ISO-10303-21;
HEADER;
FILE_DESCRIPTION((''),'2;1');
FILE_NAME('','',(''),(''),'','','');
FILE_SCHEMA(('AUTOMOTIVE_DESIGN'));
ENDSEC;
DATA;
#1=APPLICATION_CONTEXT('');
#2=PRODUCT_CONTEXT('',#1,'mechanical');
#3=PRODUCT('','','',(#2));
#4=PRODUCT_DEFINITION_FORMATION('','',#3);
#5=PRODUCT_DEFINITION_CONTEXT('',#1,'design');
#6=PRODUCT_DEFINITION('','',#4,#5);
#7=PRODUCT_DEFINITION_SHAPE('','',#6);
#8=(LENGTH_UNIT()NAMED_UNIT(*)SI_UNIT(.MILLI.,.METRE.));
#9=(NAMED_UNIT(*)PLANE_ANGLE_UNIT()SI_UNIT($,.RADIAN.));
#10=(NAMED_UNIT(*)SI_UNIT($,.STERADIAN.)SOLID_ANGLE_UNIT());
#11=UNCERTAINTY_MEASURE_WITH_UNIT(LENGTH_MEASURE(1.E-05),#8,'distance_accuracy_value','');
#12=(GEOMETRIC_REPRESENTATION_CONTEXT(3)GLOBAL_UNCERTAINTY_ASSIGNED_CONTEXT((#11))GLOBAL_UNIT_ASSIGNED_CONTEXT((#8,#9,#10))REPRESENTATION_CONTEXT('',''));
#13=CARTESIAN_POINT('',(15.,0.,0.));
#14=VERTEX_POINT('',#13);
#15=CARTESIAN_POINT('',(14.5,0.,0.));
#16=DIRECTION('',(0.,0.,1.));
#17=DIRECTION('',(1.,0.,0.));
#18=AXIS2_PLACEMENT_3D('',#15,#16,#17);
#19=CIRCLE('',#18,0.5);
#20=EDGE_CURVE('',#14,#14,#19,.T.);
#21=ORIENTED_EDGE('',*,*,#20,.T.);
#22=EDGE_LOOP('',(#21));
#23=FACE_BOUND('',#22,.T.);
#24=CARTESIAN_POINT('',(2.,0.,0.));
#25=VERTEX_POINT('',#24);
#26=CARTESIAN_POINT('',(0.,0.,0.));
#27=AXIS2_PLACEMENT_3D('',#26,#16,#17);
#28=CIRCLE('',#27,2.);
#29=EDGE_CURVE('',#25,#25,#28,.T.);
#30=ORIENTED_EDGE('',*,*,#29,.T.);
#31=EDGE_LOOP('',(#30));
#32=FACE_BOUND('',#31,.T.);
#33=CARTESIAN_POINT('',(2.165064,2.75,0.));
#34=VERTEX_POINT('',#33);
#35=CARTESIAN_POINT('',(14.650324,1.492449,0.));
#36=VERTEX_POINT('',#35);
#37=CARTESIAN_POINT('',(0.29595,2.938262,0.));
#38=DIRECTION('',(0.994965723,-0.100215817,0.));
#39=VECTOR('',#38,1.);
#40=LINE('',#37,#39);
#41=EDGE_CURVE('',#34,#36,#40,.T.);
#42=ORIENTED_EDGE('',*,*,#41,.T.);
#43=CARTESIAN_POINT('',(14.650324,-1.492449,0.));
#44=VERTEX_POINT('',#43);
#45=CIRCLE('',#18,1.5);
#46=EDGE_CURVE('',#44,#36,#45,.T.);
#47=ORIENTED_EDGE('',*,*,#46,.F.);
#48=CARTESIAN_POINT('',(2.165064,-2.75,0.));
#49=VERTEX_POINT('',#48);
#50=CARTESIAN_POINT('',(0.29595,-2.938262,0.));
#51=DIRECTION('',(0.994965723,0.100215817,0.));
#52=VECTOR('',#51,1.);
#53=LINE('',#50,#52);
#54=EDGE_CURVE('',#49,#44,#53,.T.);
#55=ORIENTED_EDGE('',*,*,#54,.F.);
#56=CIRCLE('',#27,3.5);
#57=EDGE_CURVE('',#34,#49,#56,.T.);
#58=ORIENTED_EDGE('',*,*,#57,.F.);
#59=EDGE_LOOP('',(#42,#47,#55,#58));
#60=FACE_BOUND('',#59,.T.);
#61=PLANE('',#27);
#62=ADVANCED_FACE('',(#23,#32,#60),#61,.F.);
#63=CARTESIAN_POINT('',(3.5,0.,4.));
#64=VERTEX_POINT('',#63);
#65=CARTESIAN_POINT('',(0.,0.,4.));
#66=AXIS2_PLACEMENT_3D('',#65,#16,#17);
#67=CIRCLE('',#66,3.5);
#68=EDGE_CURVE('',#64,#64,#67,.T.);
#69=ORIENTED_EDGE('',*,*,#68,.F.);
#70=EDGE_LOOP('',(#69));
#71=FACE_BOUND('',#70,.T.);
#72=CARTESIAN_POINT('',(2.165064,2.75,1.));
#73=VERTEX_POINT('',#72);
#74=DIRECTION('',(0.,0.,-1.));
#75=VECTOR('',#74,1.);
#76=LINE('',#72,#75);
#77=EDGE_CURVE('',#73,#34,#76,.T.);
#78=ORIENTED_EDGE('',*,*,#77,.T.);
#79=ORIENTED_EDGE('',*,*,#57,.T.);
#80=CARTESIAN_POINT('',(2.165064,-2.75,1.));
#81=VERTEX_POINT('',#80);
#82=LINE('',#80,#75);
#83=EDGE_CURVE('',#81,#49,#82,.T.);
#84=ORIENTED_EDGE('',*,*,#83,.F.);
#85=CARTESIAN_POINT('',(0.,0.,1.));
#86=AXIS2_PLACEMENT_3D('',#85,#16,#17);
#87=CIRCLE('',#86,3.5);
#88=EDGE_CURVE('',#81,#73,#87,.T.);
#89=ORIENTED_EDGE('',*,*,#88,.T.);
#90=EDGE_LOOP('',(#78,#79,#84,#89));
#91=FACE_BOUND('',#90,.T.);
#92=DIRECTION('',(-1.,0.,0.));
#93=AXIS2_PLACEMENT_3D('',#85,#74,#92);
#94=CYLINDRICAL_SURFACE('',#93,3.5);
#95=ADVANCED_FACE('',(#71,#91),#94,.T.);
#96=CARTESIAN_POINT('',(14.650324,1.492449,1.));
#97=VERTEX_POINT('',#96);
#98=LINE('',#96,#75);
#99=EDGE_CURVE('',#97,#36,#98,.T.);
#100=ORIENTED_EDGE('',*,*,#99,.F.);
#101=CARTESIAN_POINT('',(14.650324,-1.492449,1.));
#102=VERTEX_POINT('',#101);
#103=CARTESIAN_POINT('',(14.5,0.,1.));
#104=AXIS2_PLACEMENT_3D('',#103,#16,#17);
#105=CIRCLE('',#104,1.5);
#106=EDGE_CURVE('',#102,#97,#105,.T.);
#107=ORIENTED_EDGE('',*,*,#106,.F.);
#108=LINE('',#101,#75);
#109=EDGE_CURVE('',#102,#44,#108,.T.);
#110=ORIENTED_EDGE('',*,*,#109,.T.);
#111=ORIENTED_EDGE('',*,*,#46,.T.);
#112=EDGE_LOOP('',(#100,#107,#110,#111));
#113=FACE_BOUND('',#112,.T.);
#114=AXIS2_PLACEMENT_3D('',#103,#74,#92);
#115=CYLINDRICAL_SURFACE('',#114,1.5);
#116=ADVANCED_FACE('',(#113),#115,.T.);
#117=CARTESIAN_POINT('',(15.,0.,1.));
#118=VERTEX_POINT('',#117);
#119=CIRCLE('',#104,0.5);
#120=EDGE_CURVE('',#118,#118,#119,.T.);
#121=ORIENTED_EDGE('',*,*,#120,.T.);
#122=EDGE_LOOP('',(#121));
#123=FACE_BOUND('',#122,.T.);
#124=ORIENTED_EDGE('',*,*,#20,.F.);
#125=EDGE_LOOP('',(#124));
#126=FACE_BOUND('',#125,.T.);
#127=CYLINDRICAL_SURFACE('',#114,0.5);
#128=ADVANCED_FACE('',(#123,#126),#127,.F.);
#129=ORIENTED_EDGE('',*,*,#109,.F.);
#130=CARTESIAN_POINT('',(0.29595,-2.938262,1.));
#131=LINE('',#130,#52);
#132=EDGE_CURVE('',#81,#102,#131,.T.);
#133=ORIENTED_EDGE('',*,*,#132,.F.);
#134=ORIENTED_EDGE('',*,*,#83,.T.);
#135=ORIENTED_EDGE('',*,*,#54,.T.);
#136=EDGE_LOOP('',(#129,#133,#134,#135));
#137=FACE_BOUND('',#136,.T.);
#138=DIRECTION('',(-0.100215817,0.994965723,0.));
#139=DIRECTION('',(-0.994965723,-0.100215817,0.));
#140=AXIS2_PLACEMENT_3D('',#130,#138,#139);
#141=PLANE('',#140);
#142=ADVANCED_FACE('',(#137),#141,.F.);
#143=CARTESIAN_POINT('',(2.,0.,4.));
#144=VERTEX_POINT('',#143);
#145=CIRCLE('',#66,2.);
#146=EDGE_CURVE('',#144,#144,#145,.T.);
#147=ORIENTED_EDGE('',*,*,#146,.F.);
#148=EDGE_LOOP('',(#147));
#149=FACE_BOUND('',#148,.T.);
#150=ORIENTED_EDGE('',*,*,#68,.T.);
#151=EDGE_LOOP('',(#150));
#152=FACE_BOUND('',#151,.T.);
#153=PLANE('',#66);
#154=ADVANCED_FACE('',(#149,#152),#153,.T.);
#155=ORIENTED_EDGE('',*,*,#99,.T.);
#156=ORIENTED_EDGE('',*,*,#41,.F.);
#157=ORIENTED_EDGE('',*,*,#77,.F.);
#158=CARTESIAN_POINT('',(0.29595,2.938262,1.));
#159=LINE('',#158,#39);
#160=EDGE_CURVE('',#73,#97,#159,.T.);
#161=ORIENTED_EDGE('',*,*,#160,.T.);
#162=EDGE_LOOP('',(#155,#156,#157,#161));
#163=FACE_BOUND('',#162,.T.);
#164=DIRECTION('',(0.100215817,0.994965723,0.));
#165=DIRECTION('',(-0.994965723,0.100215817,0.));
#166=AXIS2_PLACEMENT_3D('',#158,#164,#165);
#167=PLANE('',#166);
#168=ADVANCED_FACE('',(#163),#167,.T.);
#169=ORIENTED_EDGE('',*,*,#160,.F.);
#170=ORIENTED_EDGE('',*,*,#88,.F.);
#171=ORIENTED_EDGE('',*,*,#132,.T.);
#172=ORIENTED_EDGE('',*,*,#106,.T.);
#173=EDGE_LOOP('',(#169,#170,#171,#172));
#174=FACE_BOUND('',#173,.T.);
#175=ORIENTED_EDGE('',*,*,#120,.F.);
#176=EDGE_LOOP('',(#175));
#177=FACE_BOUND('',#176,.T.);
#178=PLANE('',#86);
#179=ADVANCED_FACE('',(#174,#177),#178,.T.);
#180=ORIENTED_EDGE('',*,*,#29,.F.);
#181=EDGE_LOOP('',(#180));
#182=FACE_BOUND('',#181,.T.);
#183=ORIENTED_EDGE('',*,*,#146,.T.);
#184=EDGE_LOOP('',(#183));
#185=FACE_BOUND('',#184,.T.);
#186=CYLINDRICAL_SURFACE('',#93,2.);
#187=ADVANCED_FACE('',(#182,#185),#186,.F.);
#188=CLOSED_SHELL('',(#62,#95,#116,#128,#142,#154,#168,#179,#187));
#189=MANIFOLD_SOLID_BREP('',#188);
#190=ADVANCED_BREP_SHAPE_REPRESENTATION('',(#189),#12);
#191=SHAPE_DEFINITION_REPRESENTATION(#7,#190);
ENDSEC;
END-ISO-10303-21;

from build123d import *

# Parameters (mm, degrees)
SKETCH_1_R      = 2
SKETCH_1_R_2    = 0.5
EXTRUDE_2_DEPTH = 1
SKETCH_2_R      = 3.5
SKETCH_2_R_2    = 2
EXTRUDE_3_DEPTH = 3


with BuildPart() as part:
    # 草图1 → 凸台-拉伸2 (new body)
    with BuildSketch(Plane.XY):
        with BuildLine():
            Line((14.650323726, 1.492448585), (2.165063509, 2.75))
            ThreePointArc((2.165063509, 2.75), (-3.5, 0), (2.165063509, -2.75))
            Line((2.165063509, -2.75), (14.650323726, -1.492448585))
            ThreePointArc((14.650323726, -1.492448585), (16, 0), (14.650323726, 1.492448585))
        make_face()
        Circle(SKETCH_1_R, mode=Mode.SUBTRACT)
        with Locations((14.5, 0)):
            Circle(SKETCH_1_R_2, mode=Mode.SUBTRACT)
    extrude(amount=EXTRUDE_2_DEPTH)

    # 草图2 → 凸台-拉伸3 (add)
    with BuildSketch(Plane.XY.offset(1)):
        Circle(SKETCH_2_R)
        Circle(SKETCH_2_R_2, mode=Mode.SUBTRACT)
    extrude(amount=EXTRUDE_3_DEPTH)


solid = part.part
